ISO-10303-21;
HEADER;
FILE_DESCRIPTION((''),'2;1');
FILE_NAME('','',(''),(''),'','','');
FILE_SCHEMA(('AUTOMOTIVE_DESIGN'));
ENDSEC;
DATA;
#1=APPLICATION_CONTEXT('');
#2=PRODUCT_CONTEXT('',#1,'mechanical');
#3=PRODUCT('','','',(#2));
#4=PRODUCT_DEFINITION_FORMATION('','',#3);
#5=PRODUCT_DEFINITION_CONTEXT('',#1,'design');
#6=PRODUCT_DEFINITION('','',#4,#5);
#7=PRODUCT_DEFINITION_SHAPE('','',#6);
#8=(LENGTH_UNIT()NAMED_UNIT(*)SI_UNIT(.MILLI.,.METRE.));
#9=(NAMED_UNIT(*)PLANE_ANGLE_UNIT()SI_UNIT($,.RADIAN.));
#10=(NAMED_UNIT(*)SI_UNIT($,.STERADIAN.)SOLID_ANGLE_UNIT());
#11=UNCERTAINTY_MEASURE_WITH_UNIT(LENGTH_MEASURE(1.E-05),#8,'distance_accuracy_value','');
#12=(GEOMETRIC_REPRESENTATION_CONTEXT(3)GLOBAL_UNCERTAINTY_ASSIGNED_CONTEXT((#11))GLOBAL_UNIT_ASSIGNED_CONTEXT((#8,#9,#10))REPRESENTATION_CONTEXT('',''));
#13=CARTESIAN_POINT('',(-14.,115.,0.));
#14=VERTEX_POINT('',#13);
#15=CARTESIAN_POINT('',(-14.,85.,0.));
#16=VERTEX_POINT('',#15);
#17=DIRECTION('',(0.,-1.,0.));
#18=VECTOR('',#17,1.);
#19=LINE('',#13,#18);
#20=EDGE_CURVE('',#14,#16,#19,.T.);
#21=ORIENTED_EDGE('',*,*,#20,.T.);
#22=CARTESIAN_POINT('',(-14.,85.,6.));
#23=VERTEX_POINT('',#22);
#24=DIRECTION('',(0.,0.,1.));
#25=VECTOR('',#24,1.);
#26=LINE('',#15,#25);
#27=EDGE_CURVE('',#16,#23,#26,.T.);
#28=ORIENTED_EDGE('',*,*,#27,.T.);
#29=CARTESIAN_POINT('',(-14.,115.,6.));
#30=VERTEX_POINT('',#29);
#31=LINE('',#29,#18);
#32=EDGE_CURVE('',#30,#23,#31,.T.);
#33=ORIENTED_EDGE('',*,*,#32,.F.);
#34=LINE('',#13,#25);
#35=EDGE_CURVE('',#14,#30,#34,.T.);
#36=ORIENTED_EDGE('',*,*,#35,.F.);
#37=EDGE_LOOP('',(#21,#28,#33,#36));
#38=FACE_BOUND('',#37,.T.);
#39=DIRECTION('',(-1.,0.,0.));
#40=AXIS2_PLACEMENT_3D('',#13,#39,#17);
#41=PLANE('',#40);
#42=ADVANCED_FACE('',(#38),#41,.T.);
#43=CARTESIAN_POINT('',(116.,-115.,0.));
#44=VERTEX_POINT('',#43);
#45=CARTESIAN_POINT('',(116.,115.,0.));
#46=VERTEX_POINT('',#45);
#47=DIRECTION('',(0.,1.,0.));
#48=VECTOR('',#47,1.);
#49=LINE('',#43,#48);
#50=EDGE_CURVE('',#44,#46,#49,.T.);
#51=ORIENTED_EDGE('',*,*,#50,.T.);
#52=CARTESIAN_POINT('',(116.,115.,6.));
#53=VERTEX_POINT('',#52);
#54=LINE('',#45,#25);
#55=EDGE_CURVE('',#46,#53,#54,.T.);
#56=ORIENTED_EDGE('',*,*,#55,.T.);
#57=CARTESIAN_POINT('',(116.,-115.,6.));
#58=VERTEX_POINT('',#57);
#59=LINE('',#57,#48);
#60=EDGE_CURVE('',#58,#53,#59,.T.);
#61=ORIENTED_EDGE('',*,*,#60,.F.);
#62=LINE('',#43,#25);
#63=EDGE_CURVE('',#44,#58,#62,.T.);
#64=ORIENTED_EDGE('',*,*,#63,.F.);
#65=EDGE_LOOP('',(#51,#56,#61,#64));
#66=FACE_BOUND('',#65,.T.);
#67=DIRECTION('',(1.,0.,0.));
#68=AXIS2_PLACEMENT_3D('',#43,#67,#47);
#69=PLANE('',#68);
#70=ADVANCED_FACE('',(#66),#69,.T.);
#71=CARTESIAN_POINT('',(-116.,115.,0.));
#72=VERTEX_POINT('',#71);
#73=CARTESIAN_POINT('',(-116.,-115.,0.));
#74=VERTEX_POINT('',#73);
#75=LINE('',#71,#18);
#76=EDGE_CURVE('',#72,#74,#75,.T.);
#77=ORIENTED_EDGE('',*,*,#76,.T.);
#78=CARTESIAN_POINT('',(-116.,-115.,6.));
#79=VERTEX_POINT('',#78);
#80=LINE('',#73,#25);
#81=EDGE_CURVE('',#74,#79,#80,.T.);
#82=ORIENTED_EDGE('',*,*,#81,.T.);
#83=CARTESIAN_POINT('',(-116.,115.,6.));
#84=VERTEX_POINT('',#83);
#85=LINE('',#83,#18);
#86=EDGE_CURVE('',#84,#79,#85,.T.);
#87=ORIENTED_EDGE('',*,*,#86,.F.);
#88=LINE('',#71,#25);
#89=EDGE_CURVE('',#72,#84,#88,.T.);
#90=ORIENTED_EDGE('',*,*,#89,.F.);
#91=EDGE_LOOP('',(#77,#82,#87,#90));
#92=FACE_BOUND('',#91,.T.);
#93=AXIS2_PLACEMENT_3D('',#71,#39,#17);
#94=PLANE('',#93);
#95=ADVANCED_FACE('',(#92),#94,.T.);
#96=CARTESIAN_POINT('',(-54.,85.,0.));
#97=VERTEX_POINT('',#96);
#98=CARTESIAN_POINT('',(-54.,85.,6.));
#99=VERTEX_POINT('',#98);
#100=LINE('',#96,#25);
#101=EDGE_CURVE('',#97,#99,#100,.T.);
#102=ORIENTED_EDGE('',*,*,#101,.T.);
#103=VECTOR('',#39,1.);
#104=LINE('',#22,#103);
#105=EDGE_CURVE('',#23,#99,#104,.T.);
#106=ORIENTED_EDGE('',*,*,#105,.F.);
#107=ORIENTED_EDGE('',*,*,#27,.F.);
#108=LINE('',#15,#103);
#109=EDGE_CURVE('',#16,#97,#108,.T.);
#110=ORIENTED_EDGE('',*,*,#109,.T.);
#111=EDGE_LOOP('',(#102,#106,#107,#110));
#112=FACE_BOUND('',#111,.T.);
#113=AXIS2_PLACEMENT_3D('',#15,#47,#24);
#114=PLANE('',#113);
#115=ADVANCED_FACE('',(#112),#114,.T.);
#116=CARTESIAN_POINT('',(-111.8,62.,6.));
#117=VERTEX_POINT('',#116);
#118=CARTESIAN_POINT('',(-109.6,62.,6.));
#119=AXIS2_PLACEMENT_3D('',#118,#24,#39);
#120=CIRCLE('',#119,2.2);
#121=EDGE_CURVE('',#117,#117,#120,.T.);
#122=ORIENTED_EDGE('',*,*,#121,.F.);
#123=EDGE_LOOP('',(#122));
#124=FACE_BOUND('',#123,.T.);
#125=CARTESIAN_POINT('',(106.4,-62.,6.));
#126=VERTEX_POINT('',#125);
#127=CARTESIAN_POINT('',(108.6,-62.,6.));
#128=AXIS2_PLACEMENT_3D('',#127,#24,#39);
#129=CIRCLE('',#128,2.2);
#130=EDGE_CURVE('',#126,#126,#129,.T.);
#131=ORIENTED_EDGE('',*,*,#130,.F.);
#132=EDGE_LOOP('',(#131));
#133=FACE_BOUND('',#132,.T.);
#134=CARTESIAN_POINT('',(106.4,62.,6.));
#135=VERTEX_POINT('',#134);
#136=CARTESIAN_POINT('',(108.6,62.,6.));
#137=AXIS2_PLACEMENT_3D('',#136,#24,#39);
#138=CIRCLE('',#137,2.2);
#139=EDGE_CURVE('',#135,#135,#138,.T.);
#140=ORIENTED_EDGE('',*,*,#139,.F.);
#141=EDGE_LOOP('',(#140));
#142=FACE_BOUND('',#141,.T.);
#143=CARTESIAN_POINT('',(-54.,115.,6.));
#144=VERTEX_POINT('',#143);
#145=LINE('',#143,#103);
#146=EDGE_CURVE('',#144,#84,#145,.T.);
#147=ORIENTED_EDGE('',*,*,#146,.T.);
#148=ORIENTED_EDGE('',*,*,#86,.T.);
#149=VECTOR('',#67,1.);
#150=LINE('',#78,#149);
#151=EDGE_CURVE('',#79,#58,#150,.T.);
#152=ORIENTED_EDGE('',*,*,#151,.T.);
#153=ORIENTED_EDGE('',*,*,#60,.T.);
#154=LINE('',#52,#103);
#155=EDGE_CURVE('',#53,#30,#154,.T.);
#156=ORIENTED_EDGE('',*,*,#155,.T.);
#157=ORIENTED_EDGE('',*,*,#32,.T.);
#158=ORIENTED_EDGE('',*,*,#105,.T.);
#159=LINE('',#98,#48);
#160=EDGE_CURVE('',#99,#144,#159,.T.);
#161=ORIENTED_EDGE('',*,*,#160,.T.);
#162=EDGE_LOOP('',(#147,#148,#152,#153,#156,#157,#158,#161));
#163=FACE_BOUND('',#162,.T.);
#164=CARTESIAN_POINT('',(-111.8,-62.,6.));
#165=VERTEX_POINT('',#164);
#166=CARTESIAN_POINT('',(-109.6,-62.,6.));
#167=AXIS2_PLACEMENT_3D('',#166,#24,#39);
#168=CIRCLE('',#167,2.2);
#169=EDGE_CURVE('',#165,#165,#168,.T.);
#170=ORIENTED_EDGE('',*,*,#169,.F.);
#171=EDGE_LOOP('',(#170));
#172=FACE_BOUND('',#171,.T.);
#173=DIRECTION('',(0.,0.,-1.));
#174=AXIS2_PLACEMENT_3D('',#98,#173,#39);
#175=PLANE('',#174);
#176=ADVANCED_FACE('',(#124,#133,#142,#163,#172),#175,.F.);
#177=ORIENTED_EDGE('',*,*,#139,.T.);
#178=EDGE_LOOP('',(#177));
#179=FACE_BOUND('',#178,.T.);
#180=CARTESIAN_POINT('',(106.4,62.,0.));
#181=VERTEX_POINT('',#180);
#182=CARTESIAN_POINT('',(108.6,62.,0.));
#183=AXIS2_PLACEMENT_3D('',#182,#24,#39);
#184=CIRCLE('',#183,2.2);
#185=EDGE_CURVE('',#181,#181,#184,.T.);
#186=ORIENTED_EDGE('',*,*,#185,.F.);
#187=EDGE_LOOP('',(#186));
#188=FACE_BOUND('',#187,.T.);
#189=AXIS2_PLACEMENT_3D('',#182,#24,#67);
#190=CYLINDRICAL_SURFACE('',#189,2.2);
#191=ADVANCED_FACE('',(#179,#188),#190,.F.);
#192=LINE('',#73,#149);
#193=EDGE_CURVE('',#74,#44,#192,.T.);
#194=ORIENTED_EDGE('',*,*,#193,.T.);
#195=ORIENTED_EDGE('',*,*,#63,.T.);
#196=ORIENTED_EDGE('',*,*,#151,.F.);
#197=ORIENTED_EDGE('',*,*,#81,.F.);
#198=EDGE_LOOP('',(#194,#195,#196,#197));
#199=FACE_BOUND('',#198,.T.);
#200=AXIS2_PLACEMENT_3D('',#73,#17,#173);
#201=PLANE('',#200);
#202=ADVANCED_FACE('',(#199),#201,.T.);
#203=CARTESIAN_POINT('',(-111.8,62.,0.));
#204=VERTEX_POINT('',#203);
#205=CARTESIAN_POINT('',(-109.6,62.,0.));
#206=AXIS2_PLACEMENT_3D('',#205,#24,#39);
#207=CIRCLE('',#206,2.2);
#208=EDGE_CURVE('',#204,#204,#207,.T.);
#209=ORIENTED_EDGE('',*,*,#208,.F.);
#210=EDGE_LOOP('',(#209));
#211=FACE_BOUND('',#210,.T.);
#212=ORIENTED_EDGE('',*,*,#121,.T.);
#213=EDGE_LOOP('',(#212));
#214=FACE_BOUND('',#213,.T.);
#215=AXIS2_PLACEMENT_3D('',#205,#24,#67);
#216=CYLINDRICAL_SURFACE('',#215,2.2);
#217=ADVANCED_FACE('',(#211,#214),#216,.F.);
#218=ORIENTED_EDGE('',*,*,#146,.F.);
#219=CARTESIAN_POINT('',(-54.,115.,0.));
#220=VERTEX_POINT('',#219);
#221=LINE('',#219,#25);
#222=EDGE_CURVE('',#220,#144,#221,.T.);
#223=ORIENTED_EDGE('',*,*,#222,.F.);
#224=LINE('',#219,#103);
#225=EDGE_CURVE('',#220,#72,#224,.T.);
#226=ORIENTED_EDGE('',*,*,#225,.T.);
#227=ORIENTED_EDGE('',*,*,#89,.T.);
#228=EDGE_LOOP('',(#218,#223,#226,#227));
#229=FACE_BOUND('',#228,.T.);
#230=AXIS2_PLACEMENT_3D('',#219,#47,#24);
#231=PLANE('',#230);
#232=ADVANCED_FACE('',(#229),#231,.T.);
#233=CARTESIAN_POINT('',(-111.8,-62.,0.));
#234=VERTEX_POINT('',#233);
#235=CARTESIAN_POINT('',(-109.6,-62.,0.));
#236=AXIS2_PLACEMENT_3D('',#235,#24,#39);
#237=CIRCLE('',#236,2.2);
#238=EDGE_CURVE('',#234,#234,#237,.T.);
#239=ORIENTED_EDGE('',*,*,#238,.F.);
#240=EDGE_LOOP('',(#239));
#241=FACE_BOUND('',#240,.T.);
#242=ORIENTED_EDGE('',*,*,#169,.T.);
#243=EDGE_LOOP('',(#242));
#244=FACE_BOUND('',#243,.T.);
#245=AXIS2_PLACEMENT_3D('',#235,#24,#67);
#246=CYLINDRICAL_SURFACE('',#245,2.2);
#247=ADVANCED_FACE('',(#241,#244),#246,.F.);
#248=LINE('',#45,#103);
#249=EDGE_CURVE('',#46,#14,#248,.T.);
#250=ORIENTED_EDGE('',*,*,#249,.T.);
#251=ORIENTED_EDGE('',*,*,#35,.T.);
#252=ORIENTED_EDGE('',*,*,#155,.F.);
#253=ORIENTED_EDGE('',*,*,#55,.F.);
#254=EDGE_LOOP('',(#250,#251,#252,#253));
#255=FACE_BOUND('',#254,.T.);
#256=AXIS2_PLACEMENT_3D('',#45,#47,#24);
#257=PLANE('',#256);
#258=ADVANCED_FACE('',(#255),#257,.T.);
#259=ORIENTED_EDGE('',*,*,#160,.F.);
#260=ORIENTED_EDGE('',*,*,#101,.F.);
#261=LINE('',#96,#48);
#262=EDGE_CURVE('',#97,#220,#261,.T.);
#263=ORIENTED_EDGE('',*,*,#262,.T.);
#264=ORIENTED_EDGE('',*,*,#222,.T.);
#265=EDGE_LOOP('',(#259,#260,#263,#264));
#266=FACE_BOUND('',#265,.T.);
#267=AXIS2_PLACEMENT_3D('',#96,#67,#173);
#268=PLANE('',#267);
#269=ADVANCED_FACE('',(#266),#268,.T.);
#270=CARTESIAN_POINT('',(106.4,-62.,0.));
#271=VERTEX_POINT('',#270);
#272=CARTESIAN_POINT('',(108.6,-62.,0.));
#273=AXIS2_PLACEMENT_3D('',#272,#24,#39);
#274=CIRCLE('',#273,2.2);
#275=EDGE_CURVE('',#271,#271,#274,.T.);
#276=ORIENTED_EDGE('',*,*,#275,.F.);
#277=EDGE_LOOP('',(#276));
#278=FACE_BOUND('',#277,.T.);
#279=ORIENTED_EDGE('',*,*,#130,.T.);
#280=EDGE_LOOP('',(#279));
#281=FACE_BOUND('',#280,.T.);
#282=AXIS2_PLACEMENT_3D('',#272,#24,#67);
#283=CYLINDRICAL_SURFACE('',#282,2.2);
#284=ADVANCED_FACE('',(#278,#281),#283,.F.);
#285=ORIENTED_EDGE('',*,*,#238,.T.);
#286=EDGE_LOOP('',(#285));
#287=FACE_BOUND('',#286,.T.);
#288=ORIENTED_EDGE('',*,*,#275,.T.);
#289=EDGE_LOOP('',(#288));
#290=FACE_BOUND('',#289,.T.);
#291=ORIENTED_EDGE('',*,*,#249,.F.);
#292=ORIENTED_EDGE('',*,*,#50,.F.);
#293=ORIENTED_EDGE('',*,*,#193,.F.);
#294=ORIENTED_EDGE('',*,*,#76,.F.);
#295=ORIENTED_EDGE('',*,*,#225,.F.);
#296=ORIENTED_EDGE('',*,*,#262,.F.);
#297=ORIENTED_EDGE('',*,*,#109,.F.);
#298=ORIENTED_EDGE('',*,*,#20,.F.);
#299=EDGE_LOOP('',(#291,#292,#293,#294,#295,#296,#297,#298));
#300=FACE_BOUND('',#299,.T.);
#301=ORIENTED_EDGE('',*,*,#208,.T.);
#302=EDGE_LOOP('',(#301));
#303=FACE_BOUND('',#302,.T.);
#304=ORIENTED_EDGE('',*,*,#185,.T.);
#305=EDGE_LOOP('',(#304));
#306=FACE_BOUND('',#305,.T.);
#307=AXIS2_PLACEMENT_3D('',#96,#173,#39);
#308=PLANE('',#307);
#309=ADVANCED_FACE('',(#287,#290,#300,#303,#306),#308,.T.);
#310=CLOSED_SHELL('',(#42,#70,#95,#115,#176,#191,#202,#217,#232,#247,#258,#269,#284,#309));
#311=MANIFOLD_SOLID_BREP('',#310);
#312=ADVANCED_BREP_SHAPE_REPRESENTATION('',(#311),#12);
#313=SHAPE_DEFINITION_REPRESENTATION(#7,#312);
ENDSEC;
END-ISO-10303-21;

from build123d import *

# Parameters (mm, degrees)
SKETCH1_R           = 2.2
BOSS_EXTRUDE1_DEPTH = 6


with BuildPart() as part:
    # Sketch1 → Boss-Extrude1 (new body)
    with BuildSketch(Plane.XY.offset(6)):
        Polygon((-54, 85), (-54, 115), (-116, 115), (-116, -115), (116, -115), (116, 115), (-14, 115), (-14, 85), align=None)
        with Locations(Location((-109.6, 62, 0), (0, 0, 180))):
            Circle(SKETCH1_R, mode=Mode.SUBTRACT)
        with Locations(Location((108.6, -62, 0), (0, 0, 180))):
            Circle(SKETCH1_R, mode=Mode.SUBTRACT)
        with Locations(Location((108.6, 62, 0), (0, 0, 180))):
            Circle(SKETCH1_R, mode=Mode.SUBTRACT)
        with Locations(Location((-109.6, -62, 0), (0, 0, 180))):
            Circle(SKETCH1_R, mode=Mode.SUBTRACT)
    extrude(amount=-BOSS_EXTRUDE1_DEPTH)


solid = part.part
